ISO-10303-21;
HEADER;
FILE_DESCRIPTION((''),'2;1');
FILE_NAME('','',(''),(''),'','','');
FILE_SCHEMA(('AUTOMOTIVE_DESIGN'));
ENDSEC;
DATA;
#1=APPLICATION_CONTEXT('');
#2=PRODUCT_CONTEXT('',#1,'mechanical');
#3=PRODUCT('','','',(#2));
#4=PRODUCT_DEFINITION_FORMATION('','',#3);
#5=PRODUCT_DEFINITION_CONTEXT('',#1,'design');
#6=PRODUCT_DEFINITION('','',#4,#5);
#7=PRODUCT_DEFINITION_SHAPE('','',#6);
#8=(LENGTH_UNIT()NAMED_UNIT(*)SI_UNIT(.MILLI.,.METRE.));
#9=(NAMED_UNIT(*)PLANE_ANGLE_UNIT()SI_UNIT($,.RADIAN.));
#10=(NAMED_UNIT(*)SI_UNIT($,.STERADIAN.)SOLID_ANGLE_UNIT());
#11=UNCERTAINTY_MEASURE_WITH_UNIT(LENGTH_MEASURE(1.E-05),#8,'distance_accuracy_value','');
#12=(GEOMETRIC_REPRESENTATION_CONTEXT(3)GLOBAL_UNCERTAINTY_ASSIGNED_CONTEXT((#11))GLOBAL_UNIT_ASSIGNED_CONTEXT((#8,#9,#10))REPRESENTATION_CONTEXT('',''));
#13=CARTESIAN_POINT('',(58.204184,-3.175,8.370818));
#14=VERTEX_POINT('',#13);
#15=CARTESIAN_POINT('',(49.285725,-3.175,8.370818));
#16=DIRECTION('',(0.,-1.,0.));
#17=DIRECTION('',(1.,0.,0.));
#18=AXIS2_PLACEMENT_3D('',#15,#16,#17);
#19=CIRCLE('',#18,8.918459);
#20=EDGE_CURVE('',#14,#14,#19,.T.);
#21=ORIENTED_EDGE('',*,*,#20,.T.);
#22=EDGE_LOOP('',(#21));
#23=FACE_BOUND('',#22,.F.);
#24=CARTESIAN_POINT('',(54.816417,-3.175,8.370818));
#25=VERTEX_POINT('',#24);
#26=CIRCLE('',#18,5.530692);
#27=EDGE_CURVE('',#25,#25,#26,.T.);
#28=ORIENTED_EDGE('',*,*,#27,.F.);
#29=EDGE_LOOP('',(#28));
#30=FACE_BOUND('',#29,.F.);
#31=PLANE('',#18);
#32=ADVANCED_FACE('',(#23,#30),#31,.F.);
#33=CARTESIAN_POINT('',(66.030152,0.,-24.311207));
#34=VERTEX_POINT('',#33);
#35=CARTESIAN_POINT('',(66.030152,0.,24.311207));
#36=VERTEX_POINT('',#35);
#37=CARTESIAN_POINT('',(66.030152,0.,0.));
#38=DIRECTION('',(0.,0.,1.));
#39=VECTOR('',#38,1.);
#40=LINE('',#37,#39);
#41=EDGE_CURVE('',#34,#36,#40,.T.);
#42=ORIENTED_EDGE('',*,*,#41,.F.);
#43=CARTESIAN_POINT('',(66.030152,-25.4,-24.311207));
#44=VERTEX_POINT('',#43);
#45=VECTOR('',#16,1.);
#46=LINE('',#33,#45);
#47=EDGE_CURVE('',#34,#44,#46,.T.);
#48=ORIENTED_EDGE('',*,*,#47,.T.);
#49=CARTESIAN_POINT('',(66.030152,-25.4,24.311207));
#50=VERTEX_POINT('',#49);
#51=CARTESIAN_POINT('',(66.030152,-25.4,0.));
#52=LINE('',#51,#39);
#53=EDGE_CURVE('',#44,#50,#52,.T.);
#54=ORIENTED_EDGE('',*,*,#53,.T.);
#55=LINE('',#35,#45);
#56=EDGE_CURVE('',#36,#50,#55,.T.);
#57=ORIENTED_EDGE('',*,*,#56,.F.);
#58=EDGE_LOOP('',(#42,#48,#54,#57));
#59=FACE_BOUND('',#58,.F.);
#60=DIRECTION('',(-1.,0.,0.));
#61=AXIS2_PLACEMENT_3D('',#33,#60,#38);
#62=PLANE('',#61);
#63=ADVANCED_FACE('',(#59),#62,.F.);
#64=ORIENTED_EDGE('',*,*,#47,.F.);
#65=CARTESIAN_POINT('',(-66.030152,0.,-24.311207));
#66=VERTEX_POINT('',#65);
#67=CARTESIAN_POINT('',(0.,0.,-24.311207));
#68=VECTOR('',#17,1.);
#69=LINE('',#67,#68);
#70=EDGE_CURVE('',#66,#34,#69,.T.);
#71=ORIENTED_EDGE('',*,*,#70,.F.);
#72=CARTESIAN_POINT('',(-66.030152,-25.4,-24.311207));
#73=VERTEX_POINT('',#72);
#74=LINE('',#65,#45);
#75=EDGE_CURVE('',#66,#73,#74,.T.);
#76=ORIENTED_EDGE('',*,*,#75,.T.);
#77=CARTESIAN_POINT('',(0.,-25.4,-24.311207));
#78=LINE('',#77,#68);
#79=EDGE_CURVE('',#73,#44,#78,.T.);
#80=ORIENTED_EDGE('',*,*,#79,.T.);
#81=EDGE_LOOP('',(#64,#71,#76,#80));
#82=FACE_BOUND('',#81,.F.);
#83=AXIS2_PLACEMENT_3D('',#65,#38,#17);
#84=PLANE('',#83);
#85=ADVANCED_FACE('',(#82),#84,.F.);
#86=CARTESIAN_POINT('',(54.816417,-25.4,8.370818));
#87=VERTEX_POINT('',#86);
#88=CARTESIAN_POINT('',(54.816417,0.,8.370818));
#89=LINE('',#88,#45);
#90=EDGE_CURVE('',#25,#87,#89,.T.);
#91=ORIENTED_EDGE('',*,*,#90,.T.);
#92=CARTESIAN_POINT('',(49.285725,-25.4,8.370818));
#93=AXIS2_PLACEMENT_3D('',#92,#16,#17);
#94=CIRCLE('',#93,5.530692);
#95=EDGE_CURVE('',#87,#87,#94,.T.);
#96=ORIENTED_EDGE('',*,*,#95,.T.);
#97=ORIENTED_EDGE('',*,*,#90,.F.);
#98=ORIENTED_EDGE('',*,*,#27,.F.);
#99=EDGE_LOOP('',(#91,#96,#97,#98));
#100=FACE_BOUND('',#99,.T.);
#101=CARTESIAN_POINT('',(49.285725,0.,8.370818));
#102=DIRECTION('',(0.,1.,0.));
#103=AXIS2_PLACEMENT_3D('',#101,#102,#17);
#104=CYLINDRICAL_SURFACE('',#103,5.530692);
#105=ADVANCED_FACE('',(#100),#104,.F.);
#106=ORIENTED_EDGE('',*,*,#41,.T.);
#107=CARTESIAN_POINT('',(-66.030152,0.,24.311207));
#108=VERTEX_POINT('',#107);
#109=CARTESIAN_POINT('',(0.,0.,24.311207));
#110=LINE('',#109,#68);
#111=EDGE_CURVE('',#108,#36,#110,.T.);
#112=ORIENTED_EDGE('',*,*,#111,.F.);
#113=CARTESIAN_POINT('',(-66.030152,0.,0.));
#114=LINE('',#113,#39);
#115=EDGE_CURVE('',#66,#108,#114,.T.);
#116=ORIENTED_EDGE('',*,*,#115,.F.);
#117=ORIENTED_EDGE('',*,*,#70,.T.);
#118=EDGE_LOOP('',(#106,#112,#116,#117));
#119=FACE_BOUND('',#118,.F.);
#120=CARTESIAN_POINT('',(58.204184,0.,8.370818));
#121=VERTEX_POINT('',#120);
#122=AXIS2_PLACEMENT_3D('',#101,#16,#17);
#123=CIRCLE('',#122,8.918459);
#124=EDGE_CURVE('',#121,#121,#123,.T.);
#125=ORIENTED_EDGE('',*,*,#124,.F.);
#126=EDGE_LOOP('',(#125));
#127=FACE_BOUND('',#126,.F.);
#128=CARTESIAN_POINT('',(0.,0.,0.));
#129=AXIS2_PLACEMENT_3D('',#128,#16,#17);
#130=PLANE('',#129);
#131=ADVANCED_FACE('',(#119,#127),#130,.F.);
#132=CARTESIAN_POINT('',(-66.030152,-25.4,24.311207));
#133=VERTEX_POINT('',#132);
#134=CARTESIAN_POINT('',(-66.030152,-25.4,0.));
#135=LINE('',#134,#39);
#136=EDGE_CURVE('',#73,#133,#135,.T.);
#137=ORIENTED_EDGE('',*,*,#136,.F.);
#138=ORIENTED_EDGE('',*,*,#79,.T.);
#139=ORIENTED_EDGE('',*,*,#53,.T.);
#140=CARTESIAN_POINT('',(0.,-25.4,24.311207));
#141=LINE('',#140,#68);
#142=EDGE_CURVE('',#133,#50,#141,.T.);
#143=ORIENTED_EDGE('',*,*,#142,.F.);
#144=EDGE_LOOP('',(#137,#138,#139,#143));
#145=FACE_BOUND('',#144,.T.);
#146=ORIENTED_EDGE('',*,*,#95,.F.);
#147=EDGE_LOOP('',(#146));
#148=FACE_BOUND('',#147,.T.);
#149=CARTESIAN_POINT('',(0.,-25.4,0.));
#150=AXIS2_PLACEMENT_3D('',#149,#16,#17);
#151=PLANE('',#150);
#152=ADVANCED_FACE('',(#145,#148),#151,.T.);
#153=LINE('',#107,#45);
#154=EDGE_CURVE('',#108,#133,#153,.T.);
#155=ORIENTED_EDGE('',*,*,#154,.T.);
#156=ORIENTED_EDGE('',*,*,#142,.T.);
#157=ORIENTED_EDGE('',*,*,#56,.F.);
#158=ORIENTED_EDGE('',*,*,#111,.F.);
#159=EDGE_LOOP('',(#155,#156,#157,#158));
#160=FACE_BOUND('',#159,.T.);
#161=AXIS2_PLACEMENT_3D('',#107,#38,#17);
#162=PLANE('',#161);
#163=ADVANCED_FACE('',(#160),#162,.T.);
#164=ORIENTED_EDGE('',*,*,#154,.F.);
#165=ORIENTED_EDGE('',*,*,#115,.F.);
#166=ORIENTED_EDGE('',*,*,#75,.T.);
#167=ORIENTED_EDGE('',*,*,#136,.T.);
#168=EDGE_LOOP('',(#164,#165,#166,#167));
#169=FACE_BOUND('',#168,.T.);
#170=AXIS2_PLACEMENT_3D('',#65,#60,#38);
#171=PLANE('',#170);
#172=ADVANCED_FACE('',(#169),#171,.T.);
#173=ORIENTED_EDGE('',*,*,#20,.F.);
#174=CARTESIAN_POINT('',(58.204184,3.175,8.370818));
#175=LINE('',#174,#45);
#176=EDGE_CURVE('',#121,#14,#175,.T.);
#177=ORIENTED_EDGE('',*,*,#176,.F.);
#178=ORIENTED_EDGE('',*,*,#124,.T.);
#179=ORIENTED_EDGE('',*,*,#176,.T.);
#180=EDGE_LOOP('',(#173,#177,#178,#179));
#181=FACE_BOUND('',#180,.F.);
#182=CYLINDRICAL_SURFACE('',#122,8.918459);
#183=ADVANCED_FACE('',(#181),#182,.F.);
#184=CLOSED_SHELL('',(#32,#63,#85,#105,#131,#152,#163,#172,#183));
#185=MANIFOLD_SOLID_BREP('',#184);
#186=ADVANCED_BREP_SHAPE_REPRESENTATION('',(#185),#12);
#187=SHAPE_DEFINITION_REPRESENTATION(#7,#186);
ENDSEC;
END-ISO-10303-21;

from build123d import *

# Parameters (mm, degrees)
F0_W     = 132.060304
F0_H     = 48.622414
F0_R     = 8.918459
F0_R_2   = 5.530692
F1_DEPTH = 25.4
F2_DEPTH = 3.175


with BuildPart() as f1:
    # F0 (on Front) → F1 (new body)
    with BuildSketch(Plane.XZ):
        Rectangle(F0_W, F0_H)
        with Locations((49.285725, 8.370818)):
            Circle(F0_R, mode=Mode.SUBTRACT)
        with Locations((49.285725, 8.370818)):
            Circle(F0_R)
        with Locations((49.285725, 8.370818)):
            Circle(F0_R_2, mode=Mode.SUBTRACT)
    extrude(amount=F1_DEPTH)

    # F0 (on Front) → F2 (cut, symmetric)
    with BuildSketch(Plane.XZ):
        with Locations((49.285725, 8.370818)):
            Circle(F0_R)
        with Locations((49.285725, 8.370818)):
            Circle(F0_R_2, mode=Mode.SUBTRACT)
    extrude(amount=F2_DEPTH, both=True, mode=Mode.SUBTRACT)


solid = f1.part
